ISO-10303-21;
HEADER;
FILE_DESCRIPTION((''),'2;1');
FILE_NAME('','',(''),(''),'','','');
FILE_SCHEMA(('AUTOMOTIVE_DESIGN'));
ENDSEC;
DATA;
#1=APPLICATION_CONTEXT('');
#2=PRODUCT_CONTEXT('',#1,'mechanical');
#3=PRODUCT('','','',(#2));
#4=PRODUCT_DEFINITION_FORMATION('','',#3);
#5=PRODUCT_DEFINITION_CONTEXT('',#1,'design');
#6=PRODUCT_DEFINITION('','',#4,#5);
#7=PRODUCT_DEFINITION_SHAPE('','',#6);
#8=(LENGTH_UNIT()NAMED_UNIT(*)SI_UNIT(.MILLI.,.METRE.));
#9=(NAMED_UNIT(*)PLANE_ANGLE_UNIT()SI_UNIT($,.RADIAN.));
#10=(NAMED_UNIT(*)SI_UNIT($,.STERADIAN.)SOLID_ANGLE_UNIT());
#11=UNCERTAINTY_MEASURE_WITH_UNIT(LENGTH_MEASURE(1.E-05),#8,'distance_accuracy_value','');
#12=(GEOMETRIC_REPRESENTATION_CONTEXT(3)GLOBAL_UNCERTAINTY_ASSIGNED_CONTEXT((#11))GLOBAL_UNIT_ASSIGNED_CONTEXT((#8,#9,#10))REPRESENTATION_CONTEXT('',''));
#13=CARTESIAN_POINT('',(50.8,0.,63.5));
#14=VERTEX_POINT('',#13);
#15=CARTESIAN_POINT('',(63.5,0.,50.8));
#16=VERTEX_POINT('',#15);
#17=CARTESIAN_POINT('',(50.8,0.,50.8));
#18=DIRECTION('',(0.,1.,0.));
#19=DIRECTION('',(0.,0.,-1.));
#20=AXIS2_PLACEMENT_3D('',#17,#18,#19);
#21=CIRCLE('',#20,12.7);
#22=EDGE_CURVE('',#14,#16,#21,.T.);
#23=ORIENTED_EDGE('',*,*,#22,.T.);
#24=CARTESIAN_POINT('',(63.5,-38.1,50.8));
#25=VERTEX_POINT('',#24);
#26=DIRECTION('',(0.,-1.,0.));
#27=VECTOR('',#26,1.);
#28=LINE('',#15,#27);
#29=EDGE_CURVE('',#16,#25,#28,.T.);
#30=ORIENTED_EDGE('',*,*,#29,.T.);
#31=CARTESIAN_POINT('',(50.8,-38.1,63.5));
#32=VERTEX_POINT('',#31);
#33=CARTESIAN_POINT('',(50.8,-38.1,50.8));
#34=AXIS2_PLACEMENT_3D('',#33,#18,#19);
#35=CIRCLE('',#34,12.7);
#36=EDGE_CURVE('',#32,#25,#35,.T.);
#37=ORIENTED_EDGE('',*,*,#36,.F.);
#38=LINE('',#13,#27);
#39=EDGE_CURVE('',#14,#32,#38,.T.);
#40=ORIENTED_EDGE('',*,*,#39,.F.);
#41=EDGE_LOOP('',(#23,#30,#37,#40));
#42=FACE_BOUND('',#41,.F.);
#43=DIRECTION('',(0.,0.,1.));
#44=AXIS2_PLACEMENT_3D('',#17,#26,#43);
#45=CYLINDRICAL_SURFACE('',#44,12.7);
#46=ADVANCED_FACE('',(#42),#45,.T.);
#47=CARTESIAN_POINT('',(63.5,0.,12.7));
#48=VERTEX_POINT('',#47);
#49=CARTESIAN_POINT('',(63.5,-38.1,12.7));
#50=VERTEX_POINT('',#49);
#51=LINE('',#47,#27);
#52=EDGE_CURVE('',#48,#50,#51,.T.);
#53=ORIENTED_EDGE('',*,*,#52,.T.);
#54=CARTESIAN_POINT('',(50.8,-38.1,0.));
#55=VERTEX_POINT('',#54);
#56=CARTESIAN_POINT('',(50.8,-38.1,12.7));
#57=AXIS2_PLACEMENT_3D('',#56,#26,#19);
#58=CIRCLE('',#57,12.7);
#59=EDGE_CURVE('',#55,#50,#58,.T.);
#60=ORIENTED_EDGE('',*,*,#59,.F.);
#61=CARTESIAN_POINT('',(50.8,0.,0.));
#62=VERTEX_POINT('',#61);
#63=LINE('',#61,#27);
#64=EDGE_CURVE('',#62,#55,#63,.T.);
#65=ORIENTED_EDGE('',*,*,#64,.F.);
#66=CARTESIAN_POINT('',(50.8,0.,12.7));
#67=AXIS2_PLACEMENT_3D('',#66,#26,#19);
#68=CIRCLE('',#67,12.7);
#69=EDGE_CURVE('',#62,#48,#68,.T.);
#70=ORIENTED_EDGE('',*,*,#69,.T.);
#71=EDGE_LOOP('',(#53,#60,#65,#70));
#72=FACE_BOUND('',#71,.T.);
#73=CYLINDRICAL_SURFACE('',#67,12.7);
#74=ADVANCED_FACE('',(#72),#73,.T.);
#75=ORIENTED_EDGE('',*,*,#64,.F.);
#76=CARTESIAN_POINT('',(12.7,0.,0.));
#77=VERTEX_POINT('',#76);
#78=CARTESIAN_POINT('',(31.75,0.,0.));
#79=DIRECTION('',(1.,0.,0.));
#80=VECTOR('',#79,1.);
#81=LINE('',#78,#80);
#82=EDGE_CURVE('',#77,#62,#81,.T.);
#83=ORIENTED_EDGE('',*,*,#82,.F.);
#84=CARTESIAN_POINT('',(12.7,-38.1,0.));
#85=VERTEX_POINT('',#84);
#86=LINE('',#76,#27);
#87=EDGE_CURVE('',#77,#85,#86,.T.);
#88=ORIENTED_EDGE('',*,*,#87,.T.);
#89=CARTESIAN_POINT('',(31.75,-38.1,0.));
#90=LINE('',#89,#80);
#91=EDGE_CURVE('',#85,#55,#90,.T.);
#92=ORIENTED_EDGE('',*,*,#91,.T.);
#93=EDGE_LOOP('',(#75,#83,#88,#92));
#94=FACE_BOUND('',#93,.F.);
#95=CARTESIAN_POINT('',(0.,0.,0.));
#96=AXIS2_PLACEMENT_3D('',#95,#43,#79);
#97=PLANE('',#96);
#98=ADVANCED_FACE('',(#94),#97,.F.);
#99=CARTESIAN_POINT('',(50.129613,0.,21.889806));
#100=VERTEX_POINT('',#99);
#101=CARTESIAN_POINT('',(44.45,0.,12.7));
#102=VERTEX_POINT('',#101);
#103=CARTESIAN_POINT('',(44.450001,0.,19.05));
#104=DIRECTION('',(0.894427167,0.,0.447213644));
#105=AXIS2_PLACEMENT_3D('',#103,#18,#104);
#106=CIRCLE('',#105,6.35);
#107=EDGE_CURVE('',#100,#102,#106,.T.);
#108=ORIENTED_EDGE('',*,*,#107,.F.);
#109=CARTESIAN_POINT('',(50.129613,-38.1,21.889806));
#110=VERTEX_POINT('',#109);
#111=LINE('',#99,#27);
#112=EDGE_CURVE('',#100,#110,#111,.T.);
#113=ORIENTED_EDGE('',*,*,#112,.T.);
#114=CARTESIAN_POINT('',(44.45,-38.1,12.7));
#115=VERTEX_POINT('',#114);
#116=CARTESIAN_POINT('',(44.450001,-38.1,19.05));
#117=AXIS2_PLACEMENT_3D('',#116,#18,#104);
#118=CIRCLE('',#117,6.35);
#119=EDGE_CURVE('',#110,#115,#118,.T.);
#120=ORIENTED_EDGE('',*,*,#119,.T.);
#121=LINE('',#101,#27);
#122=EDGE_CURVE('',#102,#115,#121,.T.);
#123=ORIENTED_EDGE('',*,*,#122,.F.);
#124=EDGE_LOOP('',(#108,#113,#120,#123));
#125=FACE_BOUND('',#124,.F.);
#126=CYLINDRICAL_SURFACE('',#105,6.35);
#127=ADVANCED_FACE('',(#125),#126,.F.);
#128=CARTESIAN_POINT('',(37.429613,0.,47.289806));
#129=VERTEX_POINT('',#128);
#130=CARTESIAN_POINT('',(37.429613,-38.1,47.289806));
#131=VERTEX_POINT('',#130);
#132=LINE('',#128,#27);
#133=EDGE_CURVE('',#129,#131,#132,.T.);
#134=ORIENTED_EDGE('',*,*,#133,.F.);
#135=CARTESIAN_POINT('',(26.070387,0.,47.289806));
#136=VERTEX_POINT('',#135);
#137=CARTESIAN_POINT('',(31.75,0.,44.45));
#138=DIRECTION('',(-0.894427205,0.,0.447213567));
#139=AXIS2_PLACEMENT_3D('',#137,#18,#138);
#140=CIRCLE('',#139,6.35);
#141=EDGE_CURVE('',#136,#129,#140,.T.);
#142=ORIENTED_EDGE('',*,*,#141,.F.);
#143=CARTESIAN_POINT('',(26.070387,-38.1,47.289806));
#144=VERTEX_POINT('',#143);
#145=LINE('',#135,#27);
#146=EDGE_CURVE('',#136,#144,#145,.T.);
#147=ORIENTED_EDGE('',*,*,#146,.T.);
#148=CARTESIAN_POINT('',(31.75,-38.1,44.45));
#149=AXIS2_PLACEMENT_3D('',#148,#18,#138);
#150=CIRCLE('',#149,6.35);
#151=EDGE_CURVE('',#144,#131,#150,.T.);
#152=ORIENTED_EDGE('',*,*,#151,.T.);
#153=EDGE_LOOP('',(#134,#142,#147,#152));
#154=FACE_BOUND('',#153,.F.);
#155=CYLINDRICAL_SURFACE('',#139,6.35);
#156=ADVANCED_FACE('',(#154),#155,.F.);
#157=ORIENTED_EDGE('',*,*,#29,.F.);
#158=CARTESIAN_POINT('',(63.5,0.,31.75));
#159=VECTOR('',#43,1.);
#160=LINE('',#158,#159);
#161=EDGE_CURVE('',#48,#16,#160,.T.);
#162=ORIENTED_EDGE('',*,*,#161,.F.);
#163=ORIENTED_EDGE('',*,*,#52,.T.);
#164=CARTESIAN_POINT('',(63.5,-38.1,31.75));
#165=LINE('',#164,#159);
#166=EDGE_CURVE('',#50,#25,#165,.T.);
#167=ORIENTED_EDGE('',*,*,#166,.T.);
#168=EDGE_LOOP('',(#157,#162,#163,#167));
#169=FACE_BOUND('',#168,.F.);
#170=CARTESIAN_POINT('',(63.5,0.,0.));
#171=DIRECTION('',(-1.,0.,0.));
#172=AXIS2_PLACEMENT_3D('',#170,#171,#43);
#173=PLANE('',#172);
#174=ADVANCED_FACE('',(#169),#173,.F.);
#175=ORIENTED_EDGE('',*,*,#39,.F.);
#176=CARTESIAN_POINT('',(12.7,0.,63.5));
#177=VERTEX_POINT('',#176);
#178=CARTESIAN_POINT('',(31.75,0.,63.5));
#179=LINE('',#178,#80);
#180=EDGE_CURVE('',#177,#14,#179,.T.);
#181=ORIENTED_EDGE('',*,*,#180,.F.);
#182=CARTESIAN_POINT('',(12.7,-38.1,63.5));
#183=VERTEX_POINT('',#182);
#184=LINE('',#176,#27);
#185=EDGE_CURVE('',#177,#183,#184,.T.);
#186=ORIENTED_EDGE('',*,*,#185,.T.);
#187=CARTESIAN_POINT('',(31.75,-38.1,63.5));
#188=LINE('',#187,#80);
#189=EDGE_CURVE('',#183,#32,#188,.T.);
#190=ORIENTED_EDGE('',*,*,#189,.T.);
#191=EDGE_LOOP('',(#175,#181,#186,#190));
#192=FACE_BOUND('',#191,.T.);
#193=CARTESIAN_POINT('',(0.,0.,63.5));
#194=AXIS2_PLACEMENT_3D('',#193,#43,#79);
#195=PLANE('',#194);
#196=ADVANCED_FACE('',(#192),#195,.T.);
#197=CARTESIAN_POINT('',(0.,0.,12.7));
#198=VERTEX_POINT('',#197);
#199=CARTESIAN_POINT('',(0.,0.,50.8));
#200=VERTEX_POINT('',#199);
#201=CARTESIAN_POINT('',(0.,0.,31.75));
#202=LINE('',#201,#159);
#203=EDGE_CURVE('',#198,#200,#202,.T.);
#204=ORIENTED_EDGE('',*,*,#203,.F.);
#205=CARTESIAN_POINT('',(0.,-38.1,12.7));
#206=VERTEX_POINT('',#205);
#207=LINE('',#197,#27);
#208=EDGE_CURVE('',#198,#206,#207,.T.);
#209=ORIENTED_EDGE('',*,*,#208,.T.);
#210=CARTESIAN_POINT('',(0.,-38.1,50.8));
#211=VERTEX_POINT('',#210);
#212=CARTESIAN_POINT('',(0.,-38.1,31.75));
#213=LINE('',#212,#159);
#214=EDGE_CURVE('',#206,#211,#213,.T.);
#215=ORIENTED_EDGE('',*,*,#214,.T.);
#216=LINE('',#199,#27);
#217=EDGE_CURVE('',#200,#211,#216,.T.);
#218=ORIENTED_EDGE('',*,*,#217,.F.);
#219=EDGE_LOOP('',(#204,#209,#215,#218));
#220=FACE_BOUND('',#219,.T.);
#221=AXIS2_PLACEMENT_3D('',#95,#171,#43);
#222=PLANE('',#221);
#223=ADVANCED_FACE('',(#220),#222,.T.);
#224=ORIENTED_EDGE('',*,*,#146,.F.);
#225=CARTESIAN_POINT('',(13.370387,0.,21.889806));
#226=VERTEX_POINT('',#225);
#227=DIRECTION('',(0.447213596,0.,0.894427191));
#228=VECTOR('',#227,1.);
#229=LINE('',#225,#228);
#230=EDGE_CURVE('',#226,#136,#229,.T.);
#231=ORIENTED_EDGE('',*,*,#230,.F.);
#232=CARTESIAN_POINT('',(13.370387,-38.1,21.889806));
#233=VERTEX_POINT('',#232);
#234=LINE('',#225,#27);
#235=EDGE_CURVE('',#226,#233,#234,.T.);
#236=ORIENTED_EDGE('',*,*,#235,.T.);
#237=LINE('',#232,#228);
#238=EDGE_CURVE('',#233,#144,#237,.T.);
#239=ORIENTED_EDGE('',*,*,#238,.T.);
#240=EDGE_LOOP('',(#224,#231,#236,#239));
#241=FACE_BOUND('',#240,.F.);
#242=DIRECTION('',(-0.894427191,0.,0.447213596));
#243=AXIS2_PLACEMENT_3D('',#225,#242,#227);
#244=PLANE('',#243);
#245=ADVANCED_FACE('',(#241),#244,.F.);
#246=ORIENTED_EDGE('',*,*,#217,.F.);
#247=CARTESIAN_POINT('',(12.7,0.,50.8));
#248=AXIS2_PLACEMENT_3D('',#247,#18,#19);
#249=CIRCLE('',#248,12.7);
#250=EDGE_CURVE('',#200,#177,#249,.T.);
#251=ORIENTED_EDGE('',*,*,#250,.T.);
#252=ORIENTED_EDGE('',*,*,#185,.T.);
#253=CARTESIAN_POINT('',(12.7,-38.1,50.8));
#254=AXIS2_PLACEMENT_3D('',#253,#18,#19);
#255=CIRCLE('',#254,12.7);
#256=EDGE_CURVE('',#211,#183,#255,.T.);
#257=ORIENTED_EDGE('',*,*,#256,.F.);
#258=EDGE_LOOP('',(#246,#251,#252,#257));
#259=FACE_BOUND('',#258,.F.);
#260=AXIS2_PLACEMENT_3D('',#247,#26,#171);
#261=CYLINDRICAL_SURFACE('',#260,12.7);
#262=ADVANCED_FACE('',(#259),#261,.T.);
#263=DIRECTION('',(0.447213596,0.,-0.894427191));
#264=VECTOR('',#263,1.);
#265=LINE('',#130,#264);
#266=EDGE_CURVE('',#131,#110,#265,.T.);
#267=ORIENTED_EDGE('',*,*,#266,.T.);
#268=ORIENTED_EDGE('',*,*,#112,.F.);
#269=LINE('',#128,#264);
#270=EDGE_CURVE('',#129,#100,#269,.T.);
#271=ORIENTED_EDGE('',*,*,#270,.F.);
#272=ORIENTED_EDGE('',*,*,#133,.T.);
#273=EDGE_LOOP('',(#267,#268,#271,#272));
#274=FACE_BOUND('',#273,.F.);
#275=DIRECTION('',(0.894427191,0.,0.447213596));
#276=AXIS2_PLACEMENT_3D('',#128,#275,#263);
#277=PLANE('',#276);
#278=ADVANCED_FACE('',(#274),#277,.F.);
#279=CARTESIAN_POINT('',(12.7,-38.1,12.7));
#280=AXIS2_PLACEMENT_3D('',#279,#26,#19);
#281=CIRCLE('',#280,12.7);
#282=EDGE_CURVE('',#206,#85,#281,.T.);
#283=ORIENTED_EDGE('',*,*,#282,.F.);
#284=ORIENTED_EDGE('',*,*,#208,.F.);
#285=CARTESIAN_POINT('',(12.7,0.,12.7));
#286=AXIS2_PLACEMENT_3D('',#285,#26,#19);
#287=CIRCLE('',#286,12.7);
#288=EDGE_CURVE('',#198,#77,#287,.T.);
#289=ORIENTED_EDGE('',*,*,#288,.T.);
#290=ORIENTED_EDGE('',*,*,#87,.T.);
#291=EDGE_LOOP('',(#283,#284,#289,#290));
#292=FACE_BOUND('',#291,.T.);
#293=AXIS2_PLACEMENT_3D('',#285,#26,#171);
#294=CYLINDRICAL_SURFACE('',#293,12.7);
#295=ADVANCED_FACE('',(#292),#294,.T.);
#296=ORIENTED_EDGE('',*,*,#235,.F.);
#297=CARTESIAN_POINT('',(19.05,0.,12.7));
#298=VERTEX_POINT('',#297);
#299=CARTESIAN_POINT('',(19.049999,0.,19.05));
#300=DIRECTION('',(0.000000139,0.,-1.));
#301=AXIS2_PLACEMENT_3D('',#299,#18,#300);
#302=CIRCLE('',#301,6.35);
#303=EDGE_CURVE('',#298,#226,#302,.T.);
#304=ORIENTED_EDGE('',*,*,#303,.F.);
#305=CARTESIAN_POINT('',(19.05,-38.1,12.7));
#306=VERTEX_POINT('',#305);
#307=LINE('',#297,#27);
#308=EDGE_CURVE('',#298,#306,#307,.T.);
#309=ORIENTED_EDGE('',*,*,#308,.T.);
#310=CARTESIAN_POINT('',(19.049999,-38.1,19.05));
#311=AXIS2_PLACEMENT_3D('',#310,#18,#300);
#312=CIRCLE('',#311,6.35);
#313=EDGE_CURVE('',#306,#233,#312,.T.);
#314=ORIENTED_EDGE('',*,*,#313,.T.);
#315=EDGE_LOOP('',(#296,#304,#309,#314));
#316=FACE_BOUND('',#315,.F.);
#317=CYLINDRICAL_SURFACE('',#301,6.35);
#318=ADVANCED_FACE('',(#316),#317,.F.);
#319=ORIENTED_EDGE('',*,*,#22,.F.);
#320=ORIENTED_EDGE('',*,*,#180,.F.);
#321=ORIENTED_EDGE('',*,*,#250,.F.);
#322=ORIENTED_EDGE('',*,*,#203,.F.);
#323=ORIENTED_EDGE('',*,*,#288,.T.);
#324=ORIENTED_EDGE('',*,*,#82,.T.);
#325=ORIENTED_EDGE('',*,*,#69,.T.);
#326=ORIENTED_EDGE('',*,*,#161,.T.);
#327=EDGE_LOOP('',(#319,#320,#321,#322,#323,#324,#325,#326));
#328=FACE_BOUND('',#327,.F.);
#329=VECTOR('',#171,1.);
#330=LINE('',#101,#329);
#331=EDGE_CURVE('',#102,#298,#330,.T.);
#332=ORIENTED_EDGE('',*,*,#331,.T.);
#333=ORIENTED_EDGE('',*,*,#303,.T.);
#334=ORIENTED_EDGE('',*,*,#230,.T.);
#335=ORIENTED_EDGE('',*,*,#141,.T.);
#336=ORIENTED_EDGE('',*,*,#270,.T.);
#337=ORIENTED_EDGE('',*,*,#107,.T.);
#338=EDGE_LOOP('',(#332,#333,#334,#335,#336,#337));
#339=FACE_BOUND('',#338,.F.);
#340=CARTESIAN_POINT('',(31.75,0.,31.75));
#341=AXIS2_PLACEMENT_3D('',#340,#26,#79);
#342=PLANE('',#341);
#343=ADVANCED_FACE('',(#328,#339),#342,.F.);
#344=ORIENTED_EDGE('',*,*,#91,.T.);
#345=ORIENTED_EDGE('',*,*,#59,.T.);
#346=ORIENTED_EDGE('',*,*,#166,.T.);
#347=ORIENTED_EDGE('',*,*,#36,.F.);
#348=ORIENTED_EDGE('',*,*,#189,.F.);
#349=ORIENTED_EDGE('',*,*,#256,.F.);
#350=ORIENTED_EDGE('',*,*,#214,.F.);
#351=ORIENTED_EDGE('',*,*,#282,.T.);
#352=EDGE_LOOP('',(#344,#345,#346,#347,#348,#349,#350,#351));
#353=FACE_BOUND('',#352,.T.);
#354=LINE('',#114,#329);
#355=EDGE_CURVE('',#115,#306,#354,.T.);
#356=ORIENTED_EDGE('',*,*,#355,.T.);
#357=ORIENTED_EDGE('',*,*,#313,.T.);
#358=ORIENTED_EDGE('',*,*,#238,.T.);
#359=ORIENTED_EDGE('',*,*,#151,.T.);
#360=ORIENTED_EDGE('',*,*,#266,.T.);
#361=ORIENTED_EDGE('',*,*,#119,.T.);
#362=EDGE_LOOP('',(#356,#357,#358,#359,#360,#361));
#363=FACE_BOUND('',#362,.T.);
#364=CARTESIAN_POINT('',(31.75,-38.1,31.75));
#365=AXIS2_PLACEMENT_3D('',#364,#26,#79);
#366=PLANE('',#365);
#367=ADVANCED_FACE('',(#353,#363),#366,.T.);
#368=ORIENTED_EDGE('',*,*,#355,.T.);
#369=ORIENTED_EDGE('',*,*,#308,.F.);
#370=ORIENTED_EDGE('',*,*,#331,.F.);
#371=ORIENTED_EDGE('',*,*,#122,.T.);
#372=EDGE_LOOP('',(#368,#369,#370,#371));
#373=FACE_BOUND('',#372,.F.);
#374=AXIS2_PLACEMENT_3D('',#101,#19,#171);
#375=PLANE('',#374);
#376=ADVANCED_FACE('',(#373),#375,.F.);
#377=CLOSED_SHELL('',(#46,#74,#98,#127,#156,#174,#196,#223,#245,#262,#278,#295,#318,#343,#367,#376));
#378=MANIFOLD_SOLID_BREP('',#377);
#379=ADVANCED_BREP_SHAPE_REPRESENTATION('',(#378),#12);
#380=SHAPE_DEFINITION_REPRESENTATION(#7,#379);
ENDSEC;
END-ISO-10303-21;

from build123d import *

# Parameters (mm, degrees)
F0_W     = 63.5
F0_H     = 63.5
F1_DEPTH = 38.1
F2_R     = 12.7


with BuildPart() as f1:
    # F0 (on Front) → F1 (new body)
    with BuildSketch(Plane.XZ):
        with Locations((31.75, 31.75)):
            Rectangle(F0_W, F0_H)
        with BuildLine():
            ThreePointArc((19.05, 12.7), (13.648367, 15.711607), (13.370387, 21.889806))
            Line((13.370387, 21.889806), (26.070387, 47.289806))
            ThreePointArc((26.070387, 47.289806), (31.75, 50.8), (37.429613, 47.289806))
            Line((37.429613, 47.289806), (50.129613, 21.889806))
            ThreePointArc((50.129613, 21.889806), (49.851633, 15.711607), (44.45, 12.7))
            Line((44.45, 12.7), (19.05, 12.7))
        make_face(mode=Mode.SUBTRACT)
    extrude(amount=F1_DEPTH)

    # F2
    f2_edges = [f1.edges().sort_by_distance(p)[0] for p in [
        (63.5, -19.05, 0),
        (63.5, -19.05, 63.5),
        (0, -19.05, 63.5),
        (0, -19.05, 0),
    ]]
    fillet(f2_edges, radius=F2_R)


solid = f1.part
